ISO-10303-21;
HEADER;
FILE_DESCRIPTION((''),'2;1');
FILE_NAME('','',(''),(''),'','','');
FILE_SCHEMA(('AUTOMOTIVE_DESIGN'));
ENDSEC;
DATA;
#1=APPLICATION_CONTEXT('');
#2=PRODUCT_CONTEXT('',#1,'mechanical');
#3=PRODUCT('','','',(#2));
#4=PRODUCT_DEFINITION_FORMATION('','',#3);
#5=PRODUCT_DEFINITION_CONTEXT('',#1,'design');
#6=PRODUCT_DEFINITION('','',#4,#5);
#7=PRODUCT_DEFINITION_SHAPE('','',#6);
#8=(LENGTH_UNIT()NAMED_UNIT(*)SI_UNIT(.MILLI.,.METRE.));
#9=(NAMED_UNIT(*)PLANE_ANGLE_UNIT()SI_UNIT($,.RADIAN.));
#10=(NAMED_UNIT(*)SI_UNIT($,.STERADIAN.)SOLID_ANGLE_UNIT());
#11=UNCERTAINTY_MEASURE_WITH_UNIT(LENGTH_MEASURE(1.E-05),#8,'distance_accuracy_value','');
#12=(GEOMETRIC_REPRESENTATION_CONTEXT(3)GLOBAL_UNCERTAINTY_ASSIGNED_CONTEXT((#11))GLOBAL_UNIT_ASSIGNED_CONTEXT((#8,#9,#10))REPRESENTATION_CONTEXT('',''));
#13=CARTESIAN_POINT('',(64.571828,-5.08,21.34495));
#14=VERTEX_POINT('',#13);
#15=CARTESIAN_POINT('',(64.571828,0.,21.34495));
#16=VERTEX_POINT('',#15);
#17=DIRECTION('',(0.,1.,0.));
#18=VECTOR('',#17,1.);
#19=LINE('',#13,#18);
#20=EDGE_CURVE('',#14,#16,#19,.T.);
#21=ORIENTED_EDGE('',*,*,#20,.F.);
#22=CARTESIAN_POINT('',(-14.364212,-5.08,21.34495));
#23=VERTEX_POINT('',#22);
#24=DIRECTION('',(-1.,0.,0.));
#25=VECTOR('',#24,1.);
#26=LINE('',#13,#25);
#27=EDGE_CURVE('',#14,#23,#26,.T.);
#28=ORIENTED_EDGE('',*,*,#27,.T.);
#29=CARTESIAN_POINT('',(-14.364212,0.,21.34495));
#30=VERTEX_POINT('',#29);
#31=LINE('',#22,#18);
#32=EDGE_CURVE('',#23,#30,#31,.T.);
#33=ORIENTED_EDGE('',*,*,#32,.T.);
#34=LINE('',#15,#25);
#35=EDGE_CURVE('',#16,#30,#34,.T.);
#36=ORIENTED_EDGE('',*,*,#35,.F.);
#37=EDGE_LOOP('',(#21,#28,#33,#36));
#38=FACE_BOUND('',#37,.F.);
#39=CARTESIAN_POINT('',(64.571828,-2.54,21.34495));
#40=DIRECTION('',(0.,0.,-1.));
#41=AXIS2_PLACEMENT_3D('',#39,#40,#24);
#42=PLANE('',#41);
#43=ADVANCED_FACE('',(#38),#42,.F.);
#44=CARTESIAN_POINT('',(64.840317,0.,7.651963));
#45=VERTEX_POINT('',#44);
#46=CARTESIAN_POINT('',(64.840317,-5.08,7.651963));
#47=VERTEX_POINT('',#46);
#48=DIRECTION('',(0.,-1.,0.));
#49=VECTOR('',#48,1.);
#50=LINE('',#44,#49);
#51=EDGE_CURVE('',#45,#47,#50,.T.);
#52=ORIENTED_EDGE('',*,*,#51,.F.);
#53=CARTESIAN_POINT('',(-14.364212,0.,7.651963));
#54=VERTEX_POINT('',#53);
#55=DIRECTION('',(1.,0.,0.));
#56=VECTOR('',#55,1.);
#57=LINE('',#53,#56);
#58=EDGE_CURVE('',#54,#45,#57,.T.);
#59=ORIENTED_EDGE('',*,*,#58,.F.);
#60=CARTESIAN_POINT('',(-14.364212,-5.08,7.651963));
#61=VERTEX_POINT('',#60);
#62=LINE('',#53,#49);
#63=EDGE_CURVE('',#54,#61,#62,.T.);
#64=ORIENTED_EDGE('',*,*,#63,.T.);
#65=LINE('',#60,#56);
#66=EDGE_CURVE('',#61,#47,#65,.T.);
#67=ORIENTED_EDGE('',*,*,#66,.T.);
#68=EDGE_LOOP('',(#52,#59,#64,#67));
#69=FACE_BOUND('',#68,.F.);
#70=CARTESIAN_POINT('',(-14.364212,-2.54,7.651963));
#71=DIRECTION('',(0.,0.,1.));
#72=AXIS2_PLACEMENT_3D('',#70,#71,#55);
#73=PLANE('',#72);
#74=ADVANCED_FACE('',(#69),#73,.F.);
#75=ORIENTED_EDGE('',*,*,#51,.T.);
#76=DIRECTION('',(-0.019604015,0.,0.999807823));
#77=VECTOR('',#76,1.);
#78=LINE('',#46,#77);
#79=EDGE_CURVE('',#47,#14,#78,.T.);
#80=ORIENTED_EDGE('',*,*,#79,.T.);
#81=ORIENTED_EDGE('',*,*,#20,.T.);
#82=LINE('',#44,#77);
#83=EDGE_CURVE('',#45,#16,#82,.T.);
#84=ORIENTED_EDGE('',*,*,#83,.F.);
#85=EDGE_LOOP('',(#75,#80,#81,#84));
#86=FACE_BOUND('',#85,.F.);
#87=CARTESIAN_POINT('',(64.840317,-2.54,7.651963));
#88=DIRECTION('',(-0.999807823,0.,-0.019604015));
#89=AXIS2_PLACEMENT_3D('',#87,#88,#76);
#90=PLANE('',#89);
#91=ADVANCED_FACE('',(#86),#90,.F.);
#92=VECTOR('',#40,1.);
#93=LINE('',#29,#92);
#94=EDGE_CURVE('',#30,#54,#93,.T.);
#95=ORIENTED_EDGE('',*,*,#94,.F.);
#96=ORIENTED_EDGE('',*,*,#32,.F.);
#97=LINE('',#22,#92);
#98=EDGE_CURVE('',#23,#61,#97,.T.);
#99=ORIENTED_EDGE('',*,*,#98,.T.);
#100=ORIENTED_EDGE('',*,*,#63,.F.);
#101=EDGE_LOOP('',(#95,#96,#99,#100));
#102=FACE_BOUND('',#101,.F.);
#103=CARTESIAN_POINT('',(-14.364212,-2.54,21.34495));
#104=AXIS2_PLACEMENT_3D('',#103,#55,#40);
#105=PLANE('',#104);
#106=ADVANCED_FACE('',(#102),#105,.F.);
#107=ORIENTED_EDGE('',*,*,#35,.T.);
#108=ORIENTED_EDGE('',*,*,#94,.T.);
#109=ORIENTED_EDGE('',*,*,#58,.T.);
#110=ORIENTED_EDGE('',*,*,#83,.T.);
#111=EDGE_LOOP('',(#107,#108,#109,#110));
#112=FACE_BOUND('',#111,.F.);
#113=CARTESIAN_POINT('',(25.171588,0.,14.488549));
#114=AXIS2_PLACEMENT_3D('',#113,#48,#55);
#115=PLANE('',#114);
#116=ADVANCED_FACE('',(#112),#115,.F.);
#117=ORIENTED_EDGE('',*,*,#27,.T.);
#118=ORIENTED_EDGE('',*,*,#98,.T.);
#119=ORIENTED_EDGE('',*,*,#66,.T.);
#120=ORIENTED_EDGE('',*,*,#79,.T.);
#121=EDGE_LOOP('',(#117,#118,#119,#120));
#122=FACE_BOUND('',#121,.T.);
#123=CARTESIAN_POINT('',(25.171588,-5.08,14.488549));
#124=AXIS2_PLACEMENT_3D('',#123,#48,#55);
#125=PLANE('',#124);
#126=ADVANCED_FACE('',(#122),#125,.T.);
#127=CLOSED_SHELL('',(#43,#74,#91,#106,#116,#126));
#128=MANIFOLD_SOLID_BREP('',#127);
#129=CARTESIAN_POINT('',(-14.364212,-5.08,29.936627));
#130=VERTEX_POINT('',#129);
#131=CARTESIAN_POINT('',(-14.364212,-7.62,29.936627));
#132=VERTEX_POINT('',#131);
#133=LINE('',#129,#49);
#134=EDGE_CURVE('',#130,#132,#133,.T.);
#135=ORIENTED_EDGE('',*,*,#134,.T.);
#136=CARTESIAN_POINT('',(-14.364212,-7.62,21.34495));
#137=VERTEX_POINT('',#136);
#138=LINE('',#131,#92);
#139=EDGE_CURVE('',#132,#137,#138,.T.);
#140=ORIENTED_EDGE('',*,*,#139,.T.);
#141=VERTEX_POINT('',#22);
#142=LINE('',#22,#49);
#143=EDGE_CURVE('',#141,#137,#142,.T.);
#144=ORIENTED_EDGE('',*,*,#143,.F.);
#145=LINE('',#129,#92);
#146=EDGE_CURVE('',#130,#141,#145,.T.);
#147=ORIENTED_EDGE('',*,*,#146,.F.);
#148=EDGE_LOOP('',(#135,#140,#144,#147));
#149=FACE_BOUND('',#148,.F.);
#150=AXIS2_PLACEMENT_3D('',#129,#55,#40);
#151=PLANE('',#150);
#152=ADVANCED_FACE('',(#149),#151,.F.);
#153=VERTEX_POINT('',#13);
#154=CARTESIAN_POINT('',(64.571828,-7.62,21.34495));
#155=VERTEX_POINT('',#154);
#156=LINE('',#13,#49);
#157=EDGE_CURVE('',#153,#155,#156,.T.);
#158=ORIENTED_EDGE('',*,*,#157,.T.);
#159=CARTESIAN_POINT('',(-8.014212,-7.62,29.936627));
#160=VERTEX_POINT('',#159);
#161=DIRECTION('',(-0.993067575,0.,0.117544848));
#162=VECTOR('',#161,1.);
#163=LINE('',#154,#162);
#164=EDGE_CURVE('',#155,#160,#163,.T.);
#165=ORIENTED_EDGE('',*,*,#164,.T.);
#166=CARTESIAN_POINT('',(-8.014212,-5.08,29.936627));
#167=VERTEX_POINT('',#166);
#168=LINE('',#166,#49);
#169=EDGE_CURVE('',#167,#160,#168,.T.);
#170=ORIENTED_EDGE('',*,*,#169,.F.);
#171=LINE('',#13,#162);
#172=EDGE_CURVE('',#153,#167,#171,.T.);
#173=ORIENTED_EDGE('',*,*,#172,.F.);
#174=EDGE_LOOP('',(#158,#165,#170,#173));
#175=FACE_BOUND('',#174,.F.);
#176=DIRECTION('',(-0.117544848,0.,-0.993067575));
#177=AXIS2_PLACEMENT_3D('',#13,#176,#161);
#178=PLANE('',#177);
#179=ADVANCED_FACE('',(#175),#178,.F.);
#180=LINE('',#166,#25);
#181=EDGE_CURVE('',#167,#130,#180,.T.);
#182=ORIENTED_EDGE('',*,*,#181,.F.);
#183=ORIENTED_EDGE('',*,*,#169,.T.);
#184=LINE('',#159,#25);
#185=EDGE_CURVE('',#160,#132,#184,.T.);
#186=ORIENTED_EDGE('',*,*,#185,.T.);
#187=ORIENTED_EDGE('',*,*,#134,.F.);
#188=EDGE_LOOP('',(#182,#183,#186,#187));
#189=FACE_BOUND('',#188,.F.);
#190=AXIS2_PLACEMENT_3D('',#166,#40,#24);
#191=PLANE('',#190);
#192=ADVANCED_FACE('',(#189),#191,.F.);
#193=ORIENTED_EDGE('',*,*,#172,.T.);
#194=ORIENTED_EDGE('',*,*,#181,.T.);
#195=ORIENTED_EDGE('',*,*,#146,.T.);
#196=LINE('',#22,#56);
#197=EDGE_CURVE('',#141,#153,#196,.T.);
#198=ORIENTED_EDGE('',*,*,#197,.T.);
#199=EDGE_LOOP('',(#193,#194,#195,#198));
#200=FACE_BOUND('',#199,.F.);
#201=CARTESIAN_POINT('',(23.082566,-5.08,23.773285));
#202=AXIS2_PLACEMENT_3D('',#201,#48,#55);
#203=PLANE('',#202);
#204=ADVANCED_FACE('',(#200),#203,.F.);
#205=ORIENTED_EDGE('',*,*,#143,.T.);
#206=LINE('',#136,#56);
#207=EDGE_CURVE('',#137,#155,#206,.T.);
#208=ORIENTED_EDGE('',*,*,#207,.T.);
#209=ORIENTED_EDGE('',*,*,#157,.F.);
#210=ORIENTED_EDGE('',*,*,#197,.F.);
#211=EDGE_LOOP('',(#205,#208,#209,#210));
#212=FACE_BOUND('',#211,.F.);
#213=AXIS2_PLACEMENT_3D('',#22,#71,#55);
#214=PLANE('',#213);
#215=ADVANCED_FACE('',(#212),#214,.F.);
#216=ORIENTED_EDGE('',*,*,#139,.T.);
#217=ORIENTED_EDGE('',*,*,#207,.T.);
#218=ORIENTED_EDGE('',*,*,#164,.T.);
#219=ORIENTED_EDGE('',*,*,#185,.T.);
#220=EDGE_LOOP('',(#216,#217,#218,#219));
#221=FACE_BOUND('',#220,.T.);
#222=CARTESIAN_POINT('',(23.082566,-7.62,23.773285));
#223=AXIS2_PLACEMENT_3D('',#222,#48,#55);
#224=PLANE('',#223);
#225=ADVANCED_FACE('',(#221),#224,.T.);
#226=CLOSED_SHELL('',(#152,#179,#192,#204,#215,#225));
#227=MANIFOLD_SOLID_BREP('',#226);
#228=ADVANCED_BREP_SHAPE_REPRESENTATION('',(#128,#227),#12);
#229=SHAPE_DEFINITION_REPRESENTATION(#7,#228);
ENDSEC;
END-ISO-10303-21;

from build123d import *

# Parameters (mm, degrees)
F1_DEPTH = 2.54
F3_DEPTH = 2.54
F5_DEPTH = 2.54


with BuildPart() as f1:
    # F0 (on Front) → F1 (new body)
    with BuildSketch(Plane.XZ):
        Polygon((-14.3642118201, 21.3449504226), (-14.3642118201, 7.6519632712), (64.8403167725, 7.6519632712), (64.5718276501, 21.3449504226), align=None)
    extrude(amount=F1_DEPTH)

    # F3 (add): a face of the model
    f3_faces = [f1.faces().sort_by_distance(p)[0] for p in [
        (25.1709681821, -2.54, 14.4945822159),
    ]]
    extrude(f3_faces, amount=F3_DEPTH)


with BuildPart() as f5:
    # F4 (on face) → F5 (new body)
    with BuildSketch(Plane.XZ.offset(5.08)):
        Polygon((-14.3642118201, 29.9366265535), (-14.3642118201, 21.3449504226), (64.5718276501, 21.3449504226), (-8.0142118201, 29.9366265535), align=None)
    extrude(amount=F5_DEPTH)


solid = Compound([f1.part, f5.part])
